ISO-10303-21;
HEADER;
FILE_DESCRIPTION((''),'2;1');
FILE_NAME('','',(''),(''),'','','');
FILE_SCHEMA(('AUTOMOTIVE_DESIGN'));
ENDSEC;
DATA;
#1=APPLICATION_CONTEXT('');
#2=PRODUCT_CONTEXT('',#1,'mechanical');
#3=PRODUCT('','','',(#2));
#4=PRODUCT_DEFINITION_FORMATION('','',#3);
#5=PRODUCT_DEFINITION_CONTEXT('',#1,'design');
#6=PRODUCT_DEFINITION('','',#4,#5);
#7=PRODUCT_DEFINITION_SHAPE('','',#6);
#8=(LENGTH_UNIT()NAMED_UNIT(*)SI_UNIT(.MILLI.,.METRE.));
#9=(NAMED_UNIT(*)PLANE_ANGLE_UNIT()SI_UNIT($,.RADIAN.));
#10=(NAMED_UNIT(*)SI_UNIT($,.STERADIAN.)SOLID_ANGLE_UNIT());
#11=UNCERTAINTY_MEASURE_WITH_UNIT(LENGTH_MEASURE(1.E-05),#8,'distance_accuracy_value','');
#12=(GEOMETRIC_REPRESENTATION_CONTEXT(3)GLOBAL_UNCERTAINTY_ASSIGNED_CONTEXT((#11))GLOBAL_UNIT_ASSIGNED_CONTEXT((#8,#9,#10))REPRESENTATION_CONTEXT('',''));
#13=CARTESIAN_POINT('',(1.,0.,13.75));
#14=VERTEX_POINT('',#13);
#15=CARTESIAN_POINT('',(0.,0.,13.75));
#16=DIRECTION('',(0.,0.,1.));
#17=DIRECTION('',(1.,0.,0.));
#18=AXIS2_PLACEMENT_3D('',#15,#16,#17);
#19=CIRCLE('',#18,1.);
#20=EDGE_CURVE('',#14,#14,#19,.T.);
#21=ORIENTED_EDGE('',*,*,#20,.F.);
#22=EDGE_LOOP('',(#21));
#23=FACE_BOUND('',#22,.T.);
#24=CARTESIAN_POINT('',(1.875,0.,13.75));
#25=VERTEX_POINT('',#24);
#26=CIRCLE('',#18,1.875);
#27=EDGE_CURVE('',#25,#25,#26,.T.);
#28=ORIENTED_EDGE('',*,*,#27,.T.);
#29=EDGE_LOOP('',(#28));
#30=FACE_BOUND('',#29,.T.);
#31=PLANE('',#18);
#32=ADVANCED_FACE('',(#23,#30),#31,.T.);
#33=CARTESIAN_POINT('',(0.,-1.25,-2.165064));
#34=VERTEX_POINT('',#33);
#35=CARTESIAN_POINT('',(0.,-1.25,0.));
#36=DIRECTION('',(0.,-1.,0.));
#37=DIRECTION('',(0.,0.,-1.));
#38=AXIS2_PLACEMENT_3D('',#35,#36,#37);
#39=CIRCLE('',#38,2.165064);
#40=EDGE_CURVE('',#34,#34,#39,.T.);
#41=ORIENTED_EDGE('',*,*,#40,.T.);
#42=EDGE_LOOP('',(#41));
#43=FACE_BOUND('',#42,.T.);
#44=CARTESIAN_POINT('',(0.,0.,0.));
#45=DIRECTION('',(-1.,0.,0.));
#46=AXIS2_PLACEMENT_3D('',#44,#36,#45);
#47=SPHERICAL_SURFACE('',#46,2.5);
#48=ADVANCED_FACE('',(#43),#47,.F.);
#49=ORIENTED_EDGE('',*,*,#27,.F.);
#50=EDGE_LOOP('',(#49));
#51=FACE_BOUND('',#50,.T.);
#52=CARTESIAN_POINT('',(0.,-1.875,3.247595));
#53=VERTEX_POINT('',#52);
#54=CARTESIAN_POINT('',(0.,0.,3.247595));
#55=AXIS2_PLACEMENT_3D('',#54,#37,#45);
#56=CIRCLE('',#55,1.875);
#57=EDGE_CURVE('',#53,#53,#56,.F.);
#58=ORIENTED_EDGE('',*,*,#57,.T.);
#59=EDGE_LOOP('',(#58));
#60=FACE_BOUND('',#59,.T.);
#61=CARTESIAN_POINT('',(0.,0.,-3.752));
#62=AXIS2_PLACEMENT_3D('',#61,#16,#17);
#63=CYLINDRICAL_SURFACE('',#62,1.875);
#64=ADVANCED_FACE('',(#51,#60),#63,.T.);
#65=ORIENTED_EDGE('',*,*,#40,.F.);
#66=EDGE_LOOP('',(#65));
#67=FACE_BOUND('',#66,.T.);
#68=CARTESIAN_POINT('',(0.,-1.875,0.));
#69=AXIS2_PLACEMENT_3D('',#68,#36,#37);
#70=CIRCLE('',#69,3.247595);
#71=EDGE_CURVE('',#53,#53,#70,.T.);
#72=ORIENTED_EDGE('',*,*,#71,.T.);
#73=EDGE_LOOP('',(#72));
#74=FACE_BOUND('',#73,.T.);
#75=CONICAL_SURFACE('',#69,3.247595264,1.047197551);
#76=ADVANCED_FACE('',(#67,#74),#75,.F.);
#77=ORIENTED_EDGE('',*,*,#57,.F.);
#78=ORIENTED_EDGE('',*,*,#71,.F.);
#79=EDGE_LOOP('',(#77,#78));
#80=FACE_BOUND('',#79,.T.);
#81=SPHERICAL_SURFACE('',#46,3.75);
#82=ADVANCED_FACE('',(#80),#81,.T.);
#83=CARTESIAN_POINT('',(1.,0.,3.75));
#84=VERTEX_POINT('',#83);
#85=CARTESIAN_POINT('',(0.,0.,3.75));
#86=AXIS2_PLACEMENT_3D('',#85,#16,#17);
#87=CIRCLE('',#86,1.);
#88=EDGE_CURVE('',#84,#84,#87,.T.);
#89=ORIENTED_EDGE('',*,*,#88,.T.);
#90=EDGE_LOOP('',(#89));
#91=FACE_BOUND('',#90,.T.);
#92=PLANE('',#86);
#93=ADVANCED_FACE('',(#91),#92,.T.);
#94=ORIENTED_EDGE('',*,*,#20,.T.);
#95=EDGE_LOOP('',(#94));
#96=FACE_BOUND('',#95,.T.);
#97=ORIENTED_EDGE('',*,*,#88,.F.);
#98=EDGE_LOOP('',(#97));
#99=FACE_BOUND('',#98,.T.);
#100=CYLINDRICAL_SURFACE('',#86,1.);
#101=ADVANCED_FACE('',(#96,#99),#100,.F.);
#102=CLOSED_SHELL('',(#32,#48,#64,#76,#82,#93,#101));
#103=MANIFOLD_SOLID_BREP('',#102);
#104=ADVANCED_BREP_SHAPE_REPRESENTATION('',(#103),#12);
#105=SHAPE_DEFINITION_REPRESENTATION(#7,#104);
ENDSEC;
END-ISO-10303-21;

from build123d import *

# Parameters (mm, degrees)
SKETCH2_R                       = 1.875
BOSS_EXTRUDE1_DEPTH             = 10
BOSS_EXTRUDE1_DIRECTION_2_REACH = 9.5
SKETCH5_R                       = 1
CUT_EXTRUDE1_DEPTH              = 10


with BuildPart() as part:
    # Sketch1 → Revolve1 (revolve)
    with BuildSketch(Plane.XY):
        with BuildLine():
            Line((-3.247595264, -1.875), (-2.165063509, -1.25))
            ThreePointArc((-2.165063509, -1.25), (-2.165063509, 1.25), (0, 2.5))
            Line((0, 2.5), (0, 3.75))
            ThreePointArc((0, 3.75), (-3.247595264, 1.875), (-3.247595264, -1.875))
        make_face()
    revolve(axis=Axis((0, 2.5, 0), (0, 1, 0)))

    # Sketch2 → Boss-Extrude1 (add)
    with BuildSketch(Plane.XY.offset(3.75)):
        Circle(SKETCH2_R)
    extrude(amount=BOSS_EXTRUDE1_DEPTH)

    # Sketch2 → Boss-Extrude1 direction 2 (add, up to next)
    with BuildSketch(Plane.XY.offset(3.75), mode=Mode.PRIVATE) as boss_extrude1_direction_2_sk1:
        Circle(SKETCH2_R)
    boss_extrude1_direction_2_tool1 = extrude(boss_extrude1_direction_2_sk1.sketch, amount=-BOSS_EXTRUDE1_DIRECTION_2_REACH, mode=Mode.PRIVATE) - part.part
    add(boss_extrude1_direction_2_tool1.solids().sort_by_distance((0, 0, 3.75))[0])

    # Sketch5 → Cut-Extrude1 (cut)
    with BuildSketch(Plane.XY.offset(13.75)):
        Circle(SKETCH5_R)
    extrude(amount=-CUT_EXTRUDE1_DEPTH, mode=Mode.SUBTRACT)


solid = part.part
